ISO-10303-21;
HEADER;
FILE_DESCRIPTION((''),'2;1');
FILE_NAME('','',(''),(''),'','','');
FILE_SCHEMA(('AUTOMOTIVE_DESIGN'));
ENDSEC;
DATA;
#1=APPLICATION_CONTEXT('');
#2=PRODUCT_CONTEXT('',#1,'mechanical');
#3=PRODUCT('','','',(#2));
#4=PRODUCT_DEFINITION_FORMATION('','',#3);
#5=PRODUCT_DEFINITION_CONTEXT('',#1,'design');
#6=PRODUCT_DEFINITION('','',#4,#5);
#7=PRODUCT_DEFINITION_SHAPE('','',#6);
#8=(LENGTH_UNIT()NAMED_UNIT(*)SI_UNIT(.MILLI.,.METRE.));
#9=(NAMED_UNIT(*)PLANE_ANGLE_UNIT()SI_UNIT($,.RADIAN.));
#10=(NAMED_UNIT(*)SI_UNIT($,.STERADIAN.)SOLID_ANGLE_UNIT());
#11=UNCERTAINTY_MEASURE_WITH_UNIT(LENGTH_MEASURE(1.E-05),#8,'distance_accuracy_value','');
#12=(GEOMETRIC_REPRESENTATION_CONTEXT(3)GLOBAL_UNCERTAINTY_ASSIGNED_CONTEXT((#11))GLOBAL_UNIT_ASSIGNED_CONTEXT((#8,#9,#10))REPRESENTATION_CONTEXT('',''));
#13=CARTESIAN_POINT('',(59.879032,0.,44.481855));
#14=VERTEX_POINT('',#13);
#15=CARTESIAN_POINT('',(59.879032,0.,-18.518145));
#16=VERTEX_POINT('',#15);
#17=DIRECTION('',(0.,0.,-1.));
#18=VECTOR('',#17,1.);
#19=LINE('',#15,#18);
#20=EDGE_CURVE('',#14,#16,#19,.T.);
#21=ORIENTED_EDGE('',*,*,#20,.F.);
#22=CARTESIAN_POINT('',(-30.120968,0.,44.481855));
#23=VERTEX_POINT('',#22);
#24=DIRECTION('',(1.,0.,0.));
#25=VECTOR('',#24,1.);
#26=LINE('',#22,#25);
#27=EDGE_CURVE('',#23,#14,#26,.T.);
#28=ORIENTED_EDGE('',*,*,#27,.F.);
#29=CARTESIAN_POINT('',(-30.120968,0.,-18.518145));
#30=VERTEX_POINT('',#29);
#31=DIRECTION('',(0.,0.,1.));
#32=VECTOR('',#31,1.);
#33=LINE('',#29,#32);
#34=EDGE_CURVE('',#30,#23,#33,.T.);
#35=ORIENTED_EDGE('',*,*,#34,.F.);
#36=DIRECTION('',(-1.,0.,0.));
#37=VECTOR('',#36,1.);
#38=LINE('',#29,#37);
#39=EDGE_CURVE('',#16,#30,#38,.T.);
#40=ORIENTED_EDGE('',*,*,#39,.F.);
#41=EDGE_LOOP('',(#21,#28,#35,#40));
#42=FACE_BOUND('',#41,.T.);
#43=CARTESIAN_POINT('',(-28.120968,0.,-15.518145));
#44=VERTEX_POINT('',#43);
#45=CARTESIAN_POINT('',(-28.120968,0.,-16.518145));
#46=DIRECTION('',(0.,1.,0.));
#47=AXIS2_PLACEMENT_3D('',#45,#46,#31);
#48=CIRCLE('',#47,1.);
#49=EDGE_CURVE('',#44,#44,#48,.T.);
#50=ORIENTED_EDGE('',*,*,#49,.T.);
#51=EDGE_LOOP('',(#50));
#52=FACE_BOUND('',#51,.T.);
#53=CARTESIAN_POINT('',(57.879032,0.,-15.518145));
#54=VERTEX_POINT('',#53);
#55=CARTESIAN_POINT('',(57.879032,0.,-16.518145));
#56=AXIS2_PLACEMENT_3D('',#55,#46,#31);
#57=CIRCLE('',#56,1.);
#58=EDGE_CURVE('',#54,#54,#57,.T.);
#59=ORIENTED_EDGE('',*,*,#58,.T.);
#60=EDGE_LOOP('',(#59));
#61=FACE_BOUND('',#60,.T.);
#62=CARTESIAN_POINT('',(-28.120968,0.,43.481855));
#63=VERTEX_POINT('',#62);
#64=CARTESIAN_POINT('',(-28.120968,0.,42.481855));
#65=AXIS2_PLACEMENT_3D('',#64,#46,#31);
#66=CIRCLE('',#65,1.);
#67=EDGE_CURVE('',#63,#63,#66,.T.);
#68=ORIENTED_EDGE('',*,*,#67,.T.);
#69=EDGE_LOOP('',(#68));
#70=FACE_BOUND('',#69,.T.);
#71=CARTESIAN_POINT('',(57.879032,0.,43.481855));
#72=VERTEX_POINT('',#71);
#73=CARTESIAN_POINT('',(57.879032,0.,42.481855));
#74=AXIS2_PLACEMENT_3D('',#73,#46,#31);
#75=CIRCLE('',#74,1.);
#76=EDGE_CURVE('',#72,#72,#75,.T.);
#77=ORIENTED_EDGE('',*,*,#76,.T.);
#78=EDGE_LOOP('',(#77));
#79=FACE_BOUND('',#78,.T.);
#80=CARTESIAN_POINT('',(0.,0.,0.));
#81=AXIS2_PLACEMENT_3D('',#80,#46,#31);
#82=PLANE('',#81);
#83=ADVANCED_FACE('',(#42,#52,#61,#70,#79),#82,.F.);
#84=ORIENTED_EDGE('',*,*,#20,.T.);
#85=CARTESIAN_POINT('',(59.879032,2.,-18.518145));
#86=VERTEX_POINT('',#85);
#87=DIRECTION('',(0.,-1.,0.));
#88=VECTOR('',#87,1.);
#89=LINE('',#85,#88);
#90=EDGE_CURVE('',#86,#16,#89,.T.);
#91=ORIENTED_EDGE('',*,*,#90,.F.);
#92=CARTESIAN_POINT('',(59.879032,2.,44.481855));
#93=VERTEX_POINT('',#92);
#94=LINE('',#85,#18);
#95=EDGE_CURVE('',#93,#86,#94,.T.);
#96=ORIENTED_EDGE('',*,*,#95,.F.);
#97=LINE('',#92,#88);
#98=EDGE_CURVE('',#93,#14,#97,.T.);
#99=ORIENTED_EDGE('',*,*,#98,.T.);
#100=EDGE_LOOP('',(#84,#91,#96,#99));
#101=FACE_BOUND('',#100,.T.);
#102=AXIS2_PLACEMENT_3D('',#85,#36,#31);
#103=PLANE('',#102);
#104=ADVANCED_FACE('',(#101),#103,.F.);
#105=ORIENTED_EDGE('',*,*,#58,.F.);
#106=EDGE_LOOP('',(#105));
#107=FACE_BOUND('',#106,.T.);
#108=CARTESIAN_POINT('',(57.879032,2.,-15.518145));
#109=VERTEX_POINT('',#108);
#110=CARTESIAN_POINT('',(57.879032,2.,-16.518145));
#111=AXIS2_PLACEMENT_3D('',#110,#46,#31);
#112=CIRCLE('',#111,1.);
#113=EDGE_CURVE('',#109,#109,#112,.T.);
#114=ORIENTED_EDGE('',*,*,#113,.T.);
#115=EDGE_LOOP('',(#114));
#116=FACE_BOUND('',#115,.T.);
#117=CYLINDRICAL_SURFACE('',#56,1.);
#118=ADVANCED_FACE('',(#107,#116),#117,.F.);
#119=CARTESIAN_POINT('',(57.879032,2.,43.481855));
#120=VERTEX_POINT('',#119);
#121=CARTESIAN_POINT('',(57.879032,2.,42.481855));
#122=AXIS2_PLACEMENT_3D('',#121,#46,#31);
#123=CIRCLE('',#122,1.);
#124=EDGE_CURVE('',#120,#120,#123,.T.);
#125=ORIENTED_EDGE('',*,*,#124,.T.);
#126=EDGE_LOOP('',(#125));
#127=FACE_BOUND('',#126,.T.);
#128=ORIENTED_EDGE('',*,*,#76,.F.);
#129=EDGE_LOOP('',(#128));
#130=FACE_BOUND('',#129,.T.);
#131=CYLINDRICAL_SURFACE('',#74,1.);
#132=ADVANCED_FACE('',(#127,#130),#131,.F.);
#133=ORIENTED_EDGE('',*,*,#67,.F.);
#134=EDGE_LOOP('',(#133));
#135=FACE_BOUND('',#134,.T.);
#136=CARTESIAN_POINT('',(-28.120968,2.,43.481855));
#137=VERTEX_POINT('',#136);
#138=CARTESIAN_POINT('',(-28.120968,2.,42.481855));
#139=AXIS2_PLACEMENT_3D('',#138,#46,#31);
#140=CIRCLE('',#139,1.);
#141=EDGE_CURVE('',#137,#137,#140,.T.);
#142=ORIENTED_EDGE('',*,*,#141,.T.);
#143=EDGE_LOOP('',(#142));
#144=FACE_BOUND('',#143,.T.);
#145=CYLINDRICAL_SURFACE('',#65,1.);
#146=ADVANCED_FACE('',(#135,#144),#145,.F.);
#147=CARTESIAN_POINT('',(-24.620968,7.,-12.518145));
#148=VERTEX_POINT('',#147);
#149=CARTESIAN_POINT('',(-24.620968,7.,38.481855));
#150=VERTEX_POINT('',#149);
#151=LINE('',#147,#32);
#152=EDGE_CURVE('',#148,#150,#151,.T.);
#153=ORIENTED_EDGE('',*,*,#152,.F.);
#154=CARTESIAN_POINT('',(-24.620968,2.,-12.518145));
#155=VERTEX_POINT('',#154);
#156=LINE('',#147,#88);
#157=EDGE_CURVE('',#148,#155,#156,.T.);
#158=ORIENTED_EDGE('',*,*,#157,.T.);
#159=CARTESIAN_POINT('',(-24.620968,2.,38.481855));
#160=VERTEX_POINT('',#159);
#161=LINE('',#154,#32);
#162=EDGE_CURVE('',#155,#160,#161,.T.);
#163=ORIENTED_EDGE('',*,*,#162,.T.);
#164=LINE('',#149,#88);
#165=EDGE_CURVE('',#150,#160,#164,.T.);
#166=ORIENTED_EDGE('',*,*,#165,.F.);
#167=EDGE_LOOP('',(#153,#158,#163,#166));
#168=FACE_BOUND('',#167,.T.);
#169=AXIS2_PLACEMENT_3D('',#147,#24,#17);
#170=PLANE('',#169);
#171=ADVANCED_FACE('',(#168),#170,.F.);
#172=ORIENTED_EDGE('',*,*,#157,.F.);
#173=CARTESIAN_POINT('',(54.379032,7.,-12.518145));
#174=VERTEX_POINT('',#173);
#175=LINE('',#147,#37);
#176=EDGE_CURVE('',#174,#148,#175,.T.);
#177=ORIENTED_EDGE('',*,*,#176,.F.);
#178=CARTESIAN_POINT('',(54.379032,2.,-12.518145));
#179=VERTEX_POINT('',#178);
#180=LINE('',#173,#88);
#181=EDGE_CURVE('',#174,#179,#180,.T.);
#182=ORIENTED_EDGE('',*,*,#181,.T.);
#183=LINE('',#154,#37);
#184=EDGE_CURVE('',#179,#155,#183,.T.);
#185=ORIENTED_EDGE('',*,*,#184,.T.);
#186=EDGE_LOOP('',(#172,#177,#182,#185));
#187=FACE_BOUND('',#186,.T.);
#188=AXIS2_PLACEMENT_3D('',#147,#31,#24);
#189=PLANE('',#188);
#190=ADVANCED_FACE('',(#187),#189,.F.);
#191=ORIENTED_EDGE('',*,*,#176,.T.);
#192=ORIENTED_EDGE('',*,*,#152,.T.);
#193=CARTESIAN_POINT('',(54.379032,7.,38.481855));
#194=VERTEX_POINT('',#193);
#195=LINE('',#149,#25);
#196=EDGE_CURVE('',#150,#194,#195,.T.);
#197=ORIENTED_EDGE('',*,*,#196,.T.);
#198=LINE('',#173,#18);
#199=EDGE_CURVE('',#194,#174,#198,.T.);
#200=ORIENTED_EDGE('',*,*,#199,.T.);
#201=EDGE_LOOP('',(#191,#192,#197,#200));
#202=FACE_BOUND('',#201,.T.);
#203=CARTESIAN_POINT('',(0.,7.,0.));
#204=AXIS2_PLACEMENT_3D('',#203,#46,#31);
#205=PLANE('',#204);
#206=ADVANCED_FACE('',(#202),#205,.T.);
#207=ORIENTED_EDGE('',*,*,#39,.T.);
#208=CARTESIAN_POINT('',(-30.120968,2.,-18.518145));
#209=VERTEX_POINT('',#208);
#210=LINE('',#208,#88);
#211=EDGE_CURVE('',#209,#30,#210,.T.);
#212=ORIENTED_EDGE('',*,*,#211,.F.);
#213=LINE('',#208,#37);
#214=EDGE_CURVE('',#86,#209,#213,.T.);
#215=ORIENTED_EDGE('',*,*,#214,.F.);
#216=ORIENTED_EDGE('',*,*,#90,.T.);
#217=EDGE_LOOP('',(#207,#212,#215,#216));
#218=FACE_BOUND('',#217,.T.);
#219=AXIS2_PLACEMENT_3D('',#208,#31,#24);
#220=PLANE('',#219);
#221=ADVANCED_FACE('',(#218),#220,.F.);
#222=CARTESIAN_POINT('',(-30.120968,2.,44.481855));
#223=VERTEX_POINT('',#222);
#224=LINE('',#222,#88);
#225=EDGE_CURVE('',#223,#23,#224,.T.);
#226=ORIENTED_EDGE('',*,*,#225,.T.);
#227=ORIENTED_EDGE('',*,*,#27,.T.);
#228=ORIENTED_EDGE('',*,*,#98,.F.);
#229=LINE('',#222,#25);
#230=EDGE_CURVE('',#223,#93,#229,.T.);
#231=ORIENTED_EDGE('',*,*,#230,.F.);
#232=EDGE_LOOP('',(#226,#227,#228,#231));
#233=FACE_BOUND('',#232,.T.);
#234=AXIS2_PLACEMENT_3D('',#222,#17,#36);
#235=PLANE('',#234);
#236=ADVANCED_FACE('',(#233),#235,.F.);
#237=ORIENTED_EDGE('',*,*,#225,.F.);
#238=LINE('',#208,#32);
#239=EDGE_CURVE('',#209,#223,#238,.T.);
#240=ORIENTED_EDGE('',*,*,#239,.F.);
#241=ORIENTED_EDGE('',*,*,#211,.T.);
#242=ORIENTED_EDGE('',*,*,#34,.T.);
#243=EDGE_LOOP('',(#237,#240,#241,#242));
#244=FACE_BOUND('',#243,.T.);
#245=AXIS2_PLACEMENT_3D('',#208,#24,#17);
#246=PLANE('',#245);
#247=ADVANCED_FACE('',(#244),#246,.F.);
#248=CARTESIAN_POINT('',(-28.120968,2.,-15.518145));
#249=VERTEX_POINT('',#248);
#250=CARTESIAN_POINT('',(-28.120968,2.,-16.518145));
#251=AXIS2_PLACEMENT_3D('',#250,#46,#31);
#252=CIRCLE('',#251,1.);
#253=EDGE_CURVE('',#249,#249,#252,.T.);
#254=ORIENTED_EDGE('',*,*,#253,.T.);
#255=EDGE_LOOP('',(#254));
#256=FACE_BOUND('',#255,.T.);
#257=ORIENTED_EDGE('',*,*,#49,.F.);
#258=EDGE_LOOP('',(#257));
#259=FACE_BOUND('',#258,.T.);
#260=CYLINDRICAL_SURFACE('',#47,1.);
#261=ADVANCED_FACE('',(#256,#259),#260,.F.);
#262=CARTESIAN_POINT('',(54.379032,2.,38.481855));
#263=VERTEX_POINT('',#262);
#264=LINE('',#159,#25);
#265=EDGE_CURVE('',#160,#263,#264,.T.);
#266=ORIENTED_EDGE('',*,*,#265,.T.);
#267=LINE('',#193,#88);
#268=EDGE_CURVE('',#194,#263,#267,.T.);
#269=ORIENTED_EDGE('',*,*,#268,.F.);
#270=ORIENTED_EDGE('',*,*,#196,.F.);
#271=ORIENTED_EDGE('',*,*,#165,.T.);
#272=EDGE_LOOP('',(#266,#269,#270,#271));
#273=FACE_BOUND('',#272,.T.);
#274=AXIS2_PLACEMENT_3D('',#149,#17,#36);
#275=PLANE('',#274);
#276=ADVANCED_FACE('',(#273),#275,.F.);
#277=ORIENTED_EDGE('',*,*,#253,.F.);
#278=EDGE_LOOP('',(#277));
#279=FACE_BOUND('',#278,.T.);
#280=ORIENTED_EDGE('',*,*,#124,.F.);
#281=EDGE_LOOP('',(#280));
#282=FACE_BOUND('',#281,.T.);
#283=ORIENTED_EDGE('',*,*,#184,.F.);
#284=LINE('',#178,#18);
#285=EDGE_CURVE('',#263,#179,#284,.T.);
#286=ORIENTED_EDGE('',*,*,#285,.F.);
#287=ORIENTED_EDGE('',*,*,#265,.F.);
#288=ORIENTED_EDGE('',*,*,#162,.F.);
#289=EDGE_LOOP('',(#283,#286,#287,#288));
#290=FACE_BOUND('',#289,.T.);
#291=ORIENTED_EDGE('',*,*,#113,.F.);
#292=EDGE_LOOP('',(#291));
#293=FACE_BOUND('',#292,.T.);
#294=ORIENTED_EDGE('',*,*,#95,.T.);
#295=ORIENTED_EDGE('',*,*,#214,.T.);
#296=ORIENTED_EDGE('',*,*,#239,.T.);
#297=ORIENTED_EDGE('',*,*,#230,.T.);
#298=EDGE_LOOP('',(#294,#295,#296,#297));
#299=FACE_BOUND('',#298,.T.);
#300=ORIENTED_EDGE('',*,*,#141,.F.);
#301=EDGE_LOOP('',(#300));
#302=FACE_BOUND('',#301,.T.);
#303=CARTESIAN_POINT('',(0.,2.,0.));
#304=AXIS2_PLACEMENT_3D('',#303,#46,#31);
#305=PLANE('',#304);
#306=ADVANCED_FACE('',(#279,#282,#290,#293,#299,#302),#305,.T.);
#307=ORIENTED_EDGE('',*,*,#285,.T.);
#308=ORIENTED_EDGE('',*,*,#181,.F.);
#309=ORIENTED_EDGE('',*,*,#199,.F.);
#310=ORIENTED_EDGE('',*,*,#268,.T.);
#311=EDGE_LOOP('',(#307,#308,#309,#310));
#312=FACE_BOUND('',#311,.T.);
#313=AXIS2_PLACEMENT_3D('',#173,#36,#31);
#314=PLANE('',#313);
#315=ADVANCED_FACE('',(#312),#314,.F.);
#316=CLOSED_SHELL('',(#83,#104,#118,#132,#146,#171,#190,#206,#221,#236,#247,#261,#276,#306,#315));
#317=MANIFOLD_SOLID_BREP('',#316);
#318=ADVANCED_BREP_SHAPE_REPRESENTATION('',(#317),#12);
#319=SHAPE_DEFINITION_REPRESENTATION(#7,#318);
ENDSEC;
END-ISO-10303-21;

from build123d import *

# Parameters (mm, degrees)
SKETCH_1_W          = 90
SKETCH_1_H          = 63
EXTRUDE_1_DEPTH     = 2
SKETCH_2_W          = 79
SKETCH_2_H          = 51
EXTRUDE_2_DEPTH     = 5
SKETCH_3_R          = 1
CUT_EXTRUDE_1_DEPTH = 75.760510392


with BuildPart() as part:
    # 草图1 → 凸台-拉伸1 (new body)
    with BuildSketch(Plane(origin=(0, 0, 0), x_dir=(1, 0, 0), z_dir=(0, 1, 0))):
        with Locations((14.879032258, -12.981854839)):
            Rectangle(SKETCH_1_W, SKETCH_1_H)
    extrude(amount=EXTRUDE_1_DEPTH)

    # 草图2 → 凸台-拉伸2 (add)
    with BuildSketch(Plane(origin=(0, 2, 0), x_dir=(1, 0, 0), z_dir=(0, 1, 0))):
        with Locations((14.879032258, -12.981854839)):
            Rectangle(SKETCH_2_W, SKETCH_2_H)
    extrude(amount=EXTRUDE_2_DEPTH)

    # 草图3 → 切除-拉伸1 (cut, through all)
    with BuildSketch(Plane(origin=(0, 2, 0), x_dir=(1, 0, 0), z_dir=(0, 1, 0))):
        with Locations(Location((-28.120967742, 16.518145161, 0), (0, 0, 270))):
            Circle(SKETCH_3_R)
        with Locations(Location((-28.120967742, -42.481854839, 0), (0, 0, 270))):
            Circle(SKETCH_3_R)
        with Locations(Location((57.879032258, -42.481854839, 0), (0, 0, 270))):
            Circle(SKETCH_3_R)
        with Locations(Location((57.879032258, 16.518145161, 0), (0, 0, 270))):
            Circle(SKETCH_3_R)
    extrude(amount=-CUT_EXTRUDE_1_DEPTH, mode=Mode.SUBTRACT)


solid = part.part
